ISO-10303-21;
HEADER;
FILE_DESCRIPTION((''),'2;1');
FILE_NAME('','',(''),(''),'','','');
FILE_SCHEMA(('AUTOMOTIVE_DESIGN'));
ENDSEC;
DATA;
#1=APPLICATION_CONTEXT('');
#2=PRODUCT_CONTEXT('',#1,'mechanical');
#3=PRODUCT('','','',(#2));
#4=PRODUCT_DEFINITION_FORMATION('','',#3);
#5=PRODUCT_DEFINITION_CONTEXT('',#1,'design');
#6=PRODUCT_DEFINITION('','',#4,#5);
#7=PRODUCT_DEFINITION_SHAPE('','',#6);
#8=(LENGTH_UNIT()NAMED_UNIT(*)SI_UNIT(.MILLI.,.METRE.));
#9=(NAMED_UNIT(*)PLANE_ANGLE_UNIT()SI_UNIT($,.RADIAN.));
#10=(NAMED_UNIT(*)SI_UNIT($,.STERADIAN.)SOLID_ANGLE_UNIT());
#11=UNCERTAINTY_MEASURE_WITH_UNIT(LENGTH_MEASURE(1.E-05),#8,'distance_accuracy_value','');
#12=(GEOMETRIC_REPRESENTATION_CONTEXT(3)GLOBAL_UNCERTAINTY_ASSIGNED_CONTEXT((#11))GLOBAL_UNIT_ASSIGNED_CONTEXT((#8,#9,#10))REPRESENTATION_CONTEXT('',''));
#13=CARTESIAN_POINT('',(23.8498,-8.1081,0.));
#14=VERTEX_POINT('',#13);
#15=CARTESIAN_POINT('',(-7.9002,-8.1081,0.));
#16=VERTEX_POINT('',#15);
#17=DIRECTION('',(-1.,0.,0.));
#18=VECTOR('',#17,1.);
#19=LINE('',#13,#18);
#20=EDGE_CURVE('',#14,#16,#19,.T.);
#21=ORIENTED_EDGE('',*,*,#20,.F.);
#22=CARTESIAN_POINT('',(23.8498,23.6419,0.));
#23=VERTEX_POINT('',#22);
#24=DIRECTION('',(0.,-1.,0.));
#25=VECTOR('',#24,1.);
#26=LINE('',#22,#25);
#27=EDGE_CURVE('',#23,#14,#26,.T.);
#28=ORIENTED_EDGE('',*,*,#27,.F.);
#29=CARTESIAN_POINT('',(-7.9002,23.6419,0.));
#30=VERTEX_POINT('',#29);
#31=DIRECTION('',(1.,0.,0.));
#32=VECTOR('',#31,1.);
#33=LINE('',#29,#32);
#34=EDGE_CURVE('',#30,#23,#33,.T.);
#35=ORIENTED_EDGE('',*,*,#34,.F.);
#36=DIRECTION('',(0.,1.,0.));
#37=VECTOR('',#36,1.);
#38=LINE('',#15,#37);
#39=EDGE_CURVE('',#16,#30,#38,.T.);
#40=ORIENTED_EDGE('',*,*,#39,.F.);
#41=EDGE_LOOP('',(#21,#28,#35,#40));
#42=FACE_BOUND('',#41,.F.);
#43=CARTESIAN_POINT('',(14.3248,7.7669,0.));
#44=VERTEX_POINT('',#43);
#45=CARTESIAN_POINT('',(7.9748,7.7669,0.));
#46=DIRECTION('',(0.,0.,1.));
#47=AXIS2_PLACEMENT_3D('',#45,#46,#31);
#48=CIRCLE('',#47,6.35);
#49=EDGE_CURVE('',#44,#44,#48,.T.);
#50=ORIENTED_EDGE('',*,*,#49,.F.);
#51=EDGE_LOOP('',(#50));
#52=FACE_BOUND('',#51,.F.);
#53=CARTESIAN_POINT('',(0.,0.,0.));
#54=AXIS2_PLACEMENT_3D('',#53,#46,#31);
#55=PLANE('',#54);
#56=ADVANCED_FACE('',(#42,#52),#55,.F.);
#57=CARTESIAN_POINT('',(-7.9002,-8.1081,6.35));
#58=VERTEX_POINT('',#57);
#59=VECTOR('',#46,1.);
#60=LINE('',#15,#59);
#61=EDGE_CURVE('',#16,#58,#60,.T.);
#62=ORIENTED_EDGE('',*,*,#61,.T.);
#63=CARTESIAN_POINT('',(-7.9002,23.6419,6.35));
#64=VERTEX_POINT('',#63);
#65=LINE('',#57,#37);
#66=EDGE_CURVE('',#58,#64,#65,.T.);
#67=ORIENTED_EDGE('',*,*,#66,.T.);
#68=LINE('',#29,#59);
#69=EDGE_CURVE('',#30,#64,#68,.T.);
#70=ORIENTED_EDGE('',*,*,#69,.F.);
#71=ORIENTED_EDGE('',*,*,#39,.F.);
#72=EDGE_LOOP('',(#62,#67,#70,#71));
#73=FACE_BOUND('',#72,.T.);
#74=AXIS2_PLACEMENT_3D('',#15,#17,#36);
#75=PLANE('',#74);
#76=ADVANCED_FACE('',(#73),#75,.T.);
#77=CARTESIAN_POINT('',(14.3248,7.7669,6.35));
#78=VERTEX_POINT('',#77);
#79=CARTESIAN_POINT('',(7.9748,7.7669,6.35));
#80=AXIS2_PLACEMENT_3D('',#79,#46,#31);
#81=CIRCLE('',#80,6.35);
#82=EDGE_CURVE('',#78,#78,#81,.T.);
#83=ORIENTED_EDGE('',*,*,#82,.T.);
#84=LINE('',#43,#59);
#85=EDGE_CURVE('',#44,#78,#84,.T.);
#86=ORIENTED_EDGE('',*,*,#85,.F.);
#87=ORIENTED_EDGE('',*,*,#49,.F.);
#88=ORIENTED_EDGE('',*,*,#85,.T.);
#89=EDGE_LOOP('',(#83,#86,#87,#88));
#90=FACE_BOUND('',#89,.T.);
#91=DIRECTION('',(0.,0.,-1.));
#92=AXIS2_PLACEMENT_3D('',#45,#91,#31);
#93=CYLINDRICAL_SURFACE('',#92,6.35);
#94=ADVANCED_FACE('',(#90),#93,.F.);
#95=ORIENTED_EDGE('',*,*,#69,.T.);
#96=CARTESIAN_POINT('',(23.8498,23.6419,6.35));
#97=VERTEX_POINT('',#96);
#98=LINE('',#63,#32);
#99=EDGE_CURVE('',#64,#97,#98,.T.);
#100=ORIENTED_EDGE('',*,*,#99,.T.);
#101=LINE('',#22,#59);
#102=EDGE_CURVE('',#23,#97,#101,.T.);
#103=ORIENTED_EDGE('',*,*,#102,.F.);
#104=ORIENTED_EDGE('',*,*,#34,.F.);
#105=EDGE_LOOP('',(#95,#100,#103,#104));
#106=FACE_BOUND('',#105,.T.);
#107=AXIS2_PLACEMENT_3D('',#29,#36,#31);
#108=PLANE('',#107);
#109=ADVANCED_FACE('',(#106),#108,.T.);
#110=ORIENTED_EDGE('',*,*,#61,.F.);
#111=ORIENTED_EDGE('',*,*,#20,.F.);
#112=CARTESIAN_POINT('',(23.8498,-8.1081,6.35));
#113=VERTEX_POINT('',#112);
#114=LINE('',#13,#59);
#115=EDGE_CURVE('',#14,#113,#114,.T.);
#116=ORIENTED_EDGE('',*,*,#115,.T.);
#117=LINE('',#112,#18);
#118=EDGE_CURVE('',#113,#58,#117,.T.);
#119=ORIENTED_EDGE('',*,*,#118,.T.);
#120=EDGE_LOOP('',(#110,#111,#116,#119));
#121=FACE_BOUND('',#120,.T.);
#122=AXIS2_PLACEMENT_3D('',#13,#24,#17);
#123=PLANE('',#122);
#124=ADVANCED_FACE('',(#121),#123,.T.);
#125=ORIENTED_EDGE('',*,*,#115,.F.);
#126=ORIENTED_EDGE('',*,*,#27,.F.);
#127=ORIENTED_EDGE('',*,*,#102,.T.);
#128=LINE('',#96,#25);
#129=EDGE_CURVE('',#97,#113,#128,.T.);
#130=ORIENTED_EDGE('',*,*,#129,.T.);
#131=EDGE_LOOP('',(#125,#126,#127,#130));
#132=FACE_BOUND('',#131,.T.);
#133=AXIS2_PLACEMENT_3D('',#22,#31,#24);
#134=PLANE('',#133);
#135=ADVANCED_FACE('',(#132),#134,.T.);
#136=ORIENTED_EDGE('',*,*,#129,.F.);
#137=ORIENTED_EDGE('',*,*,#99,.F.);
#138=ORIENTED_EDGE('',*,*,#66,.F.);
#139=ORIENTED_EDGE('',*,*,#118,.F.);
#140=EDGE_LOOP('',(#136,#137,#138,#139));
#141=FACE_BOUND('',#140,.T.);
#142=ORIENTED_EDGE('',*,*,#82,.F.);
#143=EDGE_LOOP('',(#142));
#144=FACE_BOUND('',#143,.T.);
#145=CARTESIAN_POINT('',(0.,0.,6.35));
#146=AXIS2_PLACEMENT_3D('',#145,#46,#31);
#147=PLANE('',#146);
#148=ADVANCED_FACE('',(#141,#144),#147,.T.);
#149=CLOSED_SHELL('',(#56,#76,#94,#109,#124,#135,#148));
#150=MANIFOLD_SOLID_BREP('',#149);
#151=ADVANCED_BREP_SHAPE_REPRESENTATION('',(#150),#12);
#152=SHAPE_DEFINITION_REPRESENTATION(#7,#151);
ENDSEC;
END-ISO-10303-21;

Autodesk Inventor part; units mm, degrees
ref_plane "YZ Plane" through (0, 0, 0) normal (1, 0, 0) x (0, 1, 0)
ref_plane "XZ Plane" through (0, 0, 0) normal (0, 1, 0) x (-1, 0, 0)
ref_plane "XY Plane" through (0, 0, 0) normal (0, 0, 1) x (1, 0, 0)
sketch "Sketch1" plane through (0, 0, 0) normal (0, 0, 1) x (1, 0, 0)
  line L0 (-7.9002, 23.6419) -> (23.8498, 23.6419)
  line L1 (23.8498, 23.6419) -> (23.8498, -8.1081)
  line L2 (23.8498, -8.1081) -> (-7.9002, -8.1081)
  line L3 (-7.9002, -8.1081) -> (-7.9002, 23.6419)
  circle A0 centre (7.9748, 7.7669) radius 6.35
  circle A1 centre (7.9748, 7.7669) radius 15.875 construction
  dimension "d0" = 12.7
  dimension "d1" = 31.75
extrude "Extrusion1" add sketch "Sketch1" along normal blind 6.35
properties part number "square"
